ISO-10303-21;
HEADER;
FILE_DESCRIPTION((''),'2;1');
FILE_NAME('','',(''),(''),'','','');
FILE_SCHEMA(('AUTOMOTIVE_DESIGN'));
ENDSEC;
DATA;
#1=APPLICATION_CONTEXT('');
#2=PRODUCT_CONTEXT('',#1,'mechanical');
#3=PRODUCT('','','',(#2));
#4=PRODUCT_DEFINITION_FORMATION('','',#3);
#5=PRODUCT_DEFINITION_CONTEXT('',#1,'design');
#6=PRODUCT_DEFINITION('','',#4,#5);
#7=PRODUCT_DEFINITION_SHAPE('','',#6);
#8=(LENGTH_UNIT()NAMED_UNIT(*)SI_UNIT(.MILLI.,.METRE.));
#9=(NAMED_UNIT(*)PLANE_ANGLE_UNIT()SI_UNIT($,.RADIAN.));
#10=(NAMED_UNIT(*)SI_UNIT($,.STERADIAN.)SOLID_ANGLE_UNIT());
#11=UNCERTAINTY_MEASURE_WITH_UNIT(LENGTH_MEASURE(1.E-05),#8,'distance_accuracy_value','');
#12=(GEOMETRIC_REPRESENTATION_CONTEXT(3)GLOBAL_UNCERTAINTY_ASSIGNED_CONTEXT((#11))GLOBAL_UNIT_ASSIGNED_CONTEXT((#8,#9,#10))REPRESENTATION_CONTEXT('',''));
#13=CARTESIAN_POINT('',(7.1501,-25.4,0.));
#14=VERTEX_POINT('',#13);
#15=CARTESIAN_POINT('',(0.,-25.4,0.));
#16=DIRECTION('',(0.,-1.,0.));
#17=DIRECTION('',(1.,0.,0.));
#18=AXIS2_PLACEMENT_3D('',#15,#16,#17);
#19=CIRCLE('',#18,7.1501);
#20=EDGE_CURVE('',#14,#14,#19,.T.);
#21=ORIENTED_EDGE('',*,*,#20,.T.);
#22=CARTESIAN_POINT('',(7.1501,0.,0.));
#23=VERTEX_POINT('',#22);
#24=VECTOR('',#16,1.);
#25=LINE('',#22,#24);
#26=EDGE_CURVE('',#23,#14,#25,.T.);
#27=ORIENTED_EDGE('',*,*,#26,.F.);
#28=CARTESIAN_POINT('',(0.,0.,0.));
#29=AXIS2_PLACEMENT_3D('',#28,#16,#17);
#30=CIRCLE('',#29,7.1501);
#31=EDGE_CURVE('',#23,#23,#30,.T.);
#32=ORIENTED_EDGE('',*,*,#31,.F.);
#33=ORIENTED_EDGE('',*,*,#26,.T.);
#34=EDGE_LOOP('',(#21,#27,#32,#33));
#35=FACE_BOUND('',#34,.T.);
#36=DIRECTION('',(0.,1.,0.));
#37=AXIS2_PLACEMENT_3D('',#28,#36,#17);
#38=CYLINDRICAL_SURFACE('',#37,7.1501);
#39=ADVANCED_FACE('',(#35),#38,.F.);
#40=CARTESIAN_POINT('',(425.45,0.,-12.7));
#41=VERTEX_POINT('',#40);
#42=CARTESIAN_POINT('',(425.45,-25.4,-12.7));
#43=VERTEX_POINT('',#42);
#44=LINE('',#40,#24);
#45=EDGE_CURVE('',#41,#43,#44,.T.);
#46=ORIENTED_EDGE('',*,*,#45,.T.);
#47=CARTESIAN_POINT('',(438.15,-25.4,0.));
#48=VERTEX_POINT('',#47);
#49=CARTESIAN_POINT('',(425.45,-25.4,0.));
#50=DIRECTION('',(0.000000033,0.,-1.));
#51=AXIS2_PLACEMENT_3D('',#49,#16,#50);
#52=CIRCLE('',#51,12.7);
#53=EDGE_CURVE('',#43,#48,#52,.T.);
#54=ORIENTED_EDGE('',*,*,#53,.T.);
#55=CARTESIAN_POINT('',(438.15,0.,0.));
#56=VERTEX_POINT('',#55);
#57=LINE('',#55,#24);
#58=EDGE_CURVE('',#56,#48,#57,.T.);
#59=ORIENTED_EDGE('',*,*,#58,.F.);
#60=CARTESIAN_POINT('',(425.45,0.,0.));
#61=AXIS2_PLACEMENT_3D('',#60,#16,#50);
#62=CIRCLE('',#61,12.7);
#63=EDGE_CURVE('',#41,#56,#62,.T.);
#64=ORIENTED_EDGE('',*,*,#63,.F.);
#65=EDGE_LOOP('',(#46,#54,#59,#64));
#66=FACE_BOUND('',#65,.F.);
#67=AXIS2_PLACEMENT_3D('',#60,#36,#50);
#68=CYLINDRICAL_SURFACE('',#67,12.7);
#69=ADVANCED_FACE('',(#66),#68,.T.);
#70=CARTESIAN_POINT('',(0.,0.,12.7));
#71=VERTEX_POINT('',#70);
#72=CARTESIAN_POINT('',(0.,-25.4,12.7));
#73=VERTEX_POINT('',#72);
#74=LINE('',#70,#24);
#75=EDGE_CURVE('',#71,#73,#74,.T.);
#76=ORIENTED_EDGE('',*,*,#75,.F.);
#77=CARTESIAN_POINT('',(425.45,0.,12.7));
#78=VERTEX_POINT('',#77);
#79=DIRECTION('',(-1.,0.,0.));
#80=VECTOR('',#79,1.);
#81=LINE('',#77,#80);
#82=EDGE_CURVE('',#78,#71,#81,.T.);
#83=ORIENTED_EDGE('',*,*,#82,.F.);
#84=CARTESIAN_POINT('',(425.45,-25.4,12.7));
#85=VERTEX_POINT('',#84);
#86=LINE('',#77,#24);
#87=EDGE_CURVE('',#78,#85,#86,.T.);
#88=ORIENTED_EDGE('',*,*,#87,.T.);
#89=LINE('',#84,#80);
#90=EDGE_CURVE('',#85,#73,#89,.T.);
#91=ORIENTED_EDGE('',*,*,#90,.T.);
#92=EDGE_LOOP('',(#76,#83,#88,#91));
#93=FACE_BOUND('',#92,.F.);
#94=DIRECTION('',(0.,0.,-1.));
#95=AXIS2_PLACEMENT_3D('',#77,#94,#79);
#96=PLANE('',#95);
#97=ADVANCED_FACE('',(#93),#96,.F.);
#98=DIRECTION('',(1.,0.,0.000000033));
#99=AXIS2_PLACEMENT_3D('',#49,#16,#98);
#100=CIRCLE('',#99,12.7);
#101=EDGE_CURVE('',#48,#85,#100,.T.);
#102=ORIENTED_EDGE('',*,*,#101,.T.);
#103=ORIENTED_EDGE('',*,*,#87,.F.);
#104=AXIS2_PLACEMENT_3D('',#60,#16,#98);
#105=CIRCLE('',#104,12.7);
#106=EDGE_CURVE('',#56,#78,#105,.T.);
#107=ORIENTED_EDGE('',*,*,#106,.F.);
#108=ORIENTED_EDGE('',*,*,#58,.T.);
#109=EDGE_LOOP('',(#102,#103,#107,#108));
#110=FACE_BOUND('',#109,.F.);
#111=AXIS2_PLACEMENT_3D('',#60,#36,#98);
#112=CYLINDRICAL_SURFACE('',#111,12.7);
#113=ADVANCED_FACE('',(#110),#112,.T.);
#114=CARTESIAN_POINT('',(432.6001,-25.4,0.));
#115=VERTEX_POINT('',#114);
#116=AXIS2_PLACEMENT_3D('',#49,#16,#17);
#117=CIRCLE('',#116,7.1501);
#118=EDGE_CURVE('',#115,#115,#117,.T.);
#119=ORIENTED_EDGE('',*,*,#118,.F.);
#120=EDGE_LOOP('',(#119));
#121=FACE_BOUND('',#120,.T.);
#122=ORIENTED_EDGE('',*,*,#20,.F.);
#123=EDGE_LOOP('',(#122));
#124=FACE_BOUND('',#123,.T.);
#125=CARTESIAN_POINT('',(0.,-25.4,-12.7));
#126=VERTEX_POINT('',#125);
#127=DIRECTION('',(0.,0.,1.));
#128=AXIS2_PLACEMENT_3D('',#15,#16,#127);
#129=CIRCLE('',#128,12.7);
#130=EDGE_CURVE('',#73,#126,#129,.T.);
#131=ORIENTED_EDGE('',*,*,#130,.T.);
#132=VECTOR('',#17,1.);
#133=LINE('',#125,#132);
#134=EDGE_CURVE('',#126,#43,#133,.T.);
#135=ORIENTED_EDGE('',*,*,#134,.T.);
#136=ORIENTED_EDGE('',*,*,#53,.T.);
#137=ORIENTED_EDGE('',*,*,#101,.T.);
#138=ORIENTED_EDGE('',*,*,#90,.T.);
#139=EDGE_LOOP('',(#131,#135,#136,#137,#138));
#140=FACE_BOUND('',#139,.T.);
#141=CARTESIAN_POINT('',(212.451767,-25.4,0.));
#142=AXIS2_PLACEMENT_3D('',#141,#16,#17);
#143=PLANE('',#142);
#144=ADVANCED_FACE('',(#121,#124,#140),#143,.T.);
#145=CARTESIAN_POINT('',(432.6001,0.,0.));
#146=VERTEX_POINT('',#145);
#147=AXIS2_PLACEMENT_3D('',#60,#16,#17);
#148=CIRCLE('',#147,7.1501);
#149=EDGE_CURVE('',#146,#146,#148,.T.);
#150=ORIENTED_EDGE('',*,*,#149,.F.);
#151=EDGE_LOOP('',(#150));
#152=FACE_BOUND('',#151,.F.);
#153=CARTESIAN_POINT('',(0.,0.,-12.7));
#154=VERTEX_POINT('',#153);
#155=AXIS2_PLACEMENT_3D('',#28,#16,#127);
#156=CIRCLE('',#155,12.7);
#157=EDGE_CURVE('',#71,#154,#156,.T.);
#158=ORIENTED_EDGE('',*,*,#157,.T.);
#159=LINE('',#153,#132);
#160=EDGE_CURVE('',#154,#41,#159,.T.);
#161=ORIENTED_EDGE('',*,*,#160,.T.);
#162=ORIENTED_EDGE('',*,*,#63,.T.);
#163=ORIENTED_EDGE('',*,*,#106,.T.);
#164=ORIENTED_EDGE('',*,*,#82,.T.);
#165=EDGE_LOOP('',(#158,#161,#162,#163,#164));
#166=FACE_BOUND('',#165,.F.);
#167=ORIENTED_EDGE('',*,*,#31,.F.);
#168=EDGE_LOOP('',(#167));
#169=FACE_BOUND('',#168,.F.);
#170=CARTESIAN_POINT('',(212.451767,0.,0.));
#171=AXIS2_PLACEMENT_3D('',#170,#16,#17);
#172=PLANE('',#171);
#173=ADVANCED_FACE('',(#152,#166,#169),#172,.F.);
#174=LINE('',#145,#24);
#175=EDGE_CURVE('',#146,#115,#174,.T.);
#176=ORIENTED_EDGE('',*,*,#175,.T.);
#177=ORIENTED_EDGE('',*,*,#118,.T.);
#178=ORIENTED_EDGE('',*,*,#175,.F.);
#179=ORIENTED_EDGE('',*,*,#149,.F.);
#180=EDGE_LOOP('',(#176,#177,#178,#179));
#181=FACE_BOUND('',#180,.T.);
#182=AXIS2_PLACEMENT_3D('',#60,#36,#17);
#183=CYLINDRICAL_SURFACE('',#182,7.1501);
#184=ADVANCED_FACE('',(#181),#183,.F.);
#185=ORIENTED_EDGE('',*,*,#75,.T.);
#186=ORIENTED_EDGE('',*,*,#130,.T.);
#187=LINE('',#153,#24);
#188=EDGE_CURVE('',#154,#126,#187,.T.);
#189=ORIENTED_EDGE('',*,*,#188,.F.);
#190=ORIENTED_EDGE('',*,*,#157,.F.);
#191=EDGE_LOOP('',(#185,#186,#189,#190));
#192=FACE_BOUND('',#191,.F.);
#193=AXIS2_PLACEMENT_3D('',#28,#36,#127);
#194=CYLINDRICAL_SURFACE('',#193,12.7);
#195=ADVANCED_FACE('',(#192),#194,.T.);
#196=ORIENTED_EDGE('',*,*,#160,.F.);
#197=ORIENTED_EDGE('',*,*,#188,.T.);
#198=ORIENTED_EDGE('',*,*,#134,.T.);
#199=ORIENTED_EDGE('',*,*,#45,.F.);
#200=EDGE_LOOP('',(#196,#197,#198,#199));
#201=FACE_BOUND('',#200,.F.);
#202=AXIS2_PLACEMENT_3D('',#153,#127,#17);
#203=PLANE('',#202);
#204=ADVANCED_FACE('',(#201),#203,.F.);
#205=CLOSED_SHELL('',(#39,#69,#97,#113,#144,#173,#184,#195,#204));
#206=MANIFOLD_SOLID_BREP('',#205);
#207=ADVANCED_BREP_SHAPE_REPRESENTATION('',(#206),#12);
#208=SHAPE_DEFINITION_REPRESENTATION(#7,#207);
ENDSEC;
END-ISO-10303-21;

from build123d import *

# Parameters (mm, degrees)
F0_R     = 7.1501
F1_DEPTH = 25.4


with BuildPart() as f1:
    # F0 (on Front) → F1 (new body)
    with BuildSketch(Plane.XZ):
        with BuildLine():
            ThreePointArc((0, 12.7), (8.980256, 8.980256), (12.7, 0))
            ThreePointArc((12.7, 0), (8.980256, -8.980256), (0, -12.7))
            Line((0, -12.7), (425.45, -12.7))
            ThreePointArc((425.45, -12.7), (412.75, 0), (425.45, 12.7))
            Line((425.45, 12.7), (0, 12.7))
        make_face()
        with BuildLine():
            ThreePointArc((0, -12.7), (8.980256, -8.980256), (12.7, 0))
            ThreePointArc((12.7, 0), (8.980256, 8.980256), (0, 12.7))
            ThreePointArc((0, 12.7), (-12.7, 0), (0, -12.7))
        make_face()
        Circle(F0_R, mode=Mode.SUBTRACT)
        with BuildLine():
            ThreePointArc((438.15, 0), (434.430256, 8.980256), (425.45, 12.7))
            ThreePointArc((425.45, 12.7), (412.75, 0), (425.45, -12.7))
            ThreePointArc((425.45, -12.7), (434.430256, -8.980256), (438.15, 0))
        make_face()
        with Locations((425.45, 0)):
            Circle(F0_R, mode=Mode.SUBTRACT)
    extrude(amount=F1_DEPTH)


solid = f1.part
